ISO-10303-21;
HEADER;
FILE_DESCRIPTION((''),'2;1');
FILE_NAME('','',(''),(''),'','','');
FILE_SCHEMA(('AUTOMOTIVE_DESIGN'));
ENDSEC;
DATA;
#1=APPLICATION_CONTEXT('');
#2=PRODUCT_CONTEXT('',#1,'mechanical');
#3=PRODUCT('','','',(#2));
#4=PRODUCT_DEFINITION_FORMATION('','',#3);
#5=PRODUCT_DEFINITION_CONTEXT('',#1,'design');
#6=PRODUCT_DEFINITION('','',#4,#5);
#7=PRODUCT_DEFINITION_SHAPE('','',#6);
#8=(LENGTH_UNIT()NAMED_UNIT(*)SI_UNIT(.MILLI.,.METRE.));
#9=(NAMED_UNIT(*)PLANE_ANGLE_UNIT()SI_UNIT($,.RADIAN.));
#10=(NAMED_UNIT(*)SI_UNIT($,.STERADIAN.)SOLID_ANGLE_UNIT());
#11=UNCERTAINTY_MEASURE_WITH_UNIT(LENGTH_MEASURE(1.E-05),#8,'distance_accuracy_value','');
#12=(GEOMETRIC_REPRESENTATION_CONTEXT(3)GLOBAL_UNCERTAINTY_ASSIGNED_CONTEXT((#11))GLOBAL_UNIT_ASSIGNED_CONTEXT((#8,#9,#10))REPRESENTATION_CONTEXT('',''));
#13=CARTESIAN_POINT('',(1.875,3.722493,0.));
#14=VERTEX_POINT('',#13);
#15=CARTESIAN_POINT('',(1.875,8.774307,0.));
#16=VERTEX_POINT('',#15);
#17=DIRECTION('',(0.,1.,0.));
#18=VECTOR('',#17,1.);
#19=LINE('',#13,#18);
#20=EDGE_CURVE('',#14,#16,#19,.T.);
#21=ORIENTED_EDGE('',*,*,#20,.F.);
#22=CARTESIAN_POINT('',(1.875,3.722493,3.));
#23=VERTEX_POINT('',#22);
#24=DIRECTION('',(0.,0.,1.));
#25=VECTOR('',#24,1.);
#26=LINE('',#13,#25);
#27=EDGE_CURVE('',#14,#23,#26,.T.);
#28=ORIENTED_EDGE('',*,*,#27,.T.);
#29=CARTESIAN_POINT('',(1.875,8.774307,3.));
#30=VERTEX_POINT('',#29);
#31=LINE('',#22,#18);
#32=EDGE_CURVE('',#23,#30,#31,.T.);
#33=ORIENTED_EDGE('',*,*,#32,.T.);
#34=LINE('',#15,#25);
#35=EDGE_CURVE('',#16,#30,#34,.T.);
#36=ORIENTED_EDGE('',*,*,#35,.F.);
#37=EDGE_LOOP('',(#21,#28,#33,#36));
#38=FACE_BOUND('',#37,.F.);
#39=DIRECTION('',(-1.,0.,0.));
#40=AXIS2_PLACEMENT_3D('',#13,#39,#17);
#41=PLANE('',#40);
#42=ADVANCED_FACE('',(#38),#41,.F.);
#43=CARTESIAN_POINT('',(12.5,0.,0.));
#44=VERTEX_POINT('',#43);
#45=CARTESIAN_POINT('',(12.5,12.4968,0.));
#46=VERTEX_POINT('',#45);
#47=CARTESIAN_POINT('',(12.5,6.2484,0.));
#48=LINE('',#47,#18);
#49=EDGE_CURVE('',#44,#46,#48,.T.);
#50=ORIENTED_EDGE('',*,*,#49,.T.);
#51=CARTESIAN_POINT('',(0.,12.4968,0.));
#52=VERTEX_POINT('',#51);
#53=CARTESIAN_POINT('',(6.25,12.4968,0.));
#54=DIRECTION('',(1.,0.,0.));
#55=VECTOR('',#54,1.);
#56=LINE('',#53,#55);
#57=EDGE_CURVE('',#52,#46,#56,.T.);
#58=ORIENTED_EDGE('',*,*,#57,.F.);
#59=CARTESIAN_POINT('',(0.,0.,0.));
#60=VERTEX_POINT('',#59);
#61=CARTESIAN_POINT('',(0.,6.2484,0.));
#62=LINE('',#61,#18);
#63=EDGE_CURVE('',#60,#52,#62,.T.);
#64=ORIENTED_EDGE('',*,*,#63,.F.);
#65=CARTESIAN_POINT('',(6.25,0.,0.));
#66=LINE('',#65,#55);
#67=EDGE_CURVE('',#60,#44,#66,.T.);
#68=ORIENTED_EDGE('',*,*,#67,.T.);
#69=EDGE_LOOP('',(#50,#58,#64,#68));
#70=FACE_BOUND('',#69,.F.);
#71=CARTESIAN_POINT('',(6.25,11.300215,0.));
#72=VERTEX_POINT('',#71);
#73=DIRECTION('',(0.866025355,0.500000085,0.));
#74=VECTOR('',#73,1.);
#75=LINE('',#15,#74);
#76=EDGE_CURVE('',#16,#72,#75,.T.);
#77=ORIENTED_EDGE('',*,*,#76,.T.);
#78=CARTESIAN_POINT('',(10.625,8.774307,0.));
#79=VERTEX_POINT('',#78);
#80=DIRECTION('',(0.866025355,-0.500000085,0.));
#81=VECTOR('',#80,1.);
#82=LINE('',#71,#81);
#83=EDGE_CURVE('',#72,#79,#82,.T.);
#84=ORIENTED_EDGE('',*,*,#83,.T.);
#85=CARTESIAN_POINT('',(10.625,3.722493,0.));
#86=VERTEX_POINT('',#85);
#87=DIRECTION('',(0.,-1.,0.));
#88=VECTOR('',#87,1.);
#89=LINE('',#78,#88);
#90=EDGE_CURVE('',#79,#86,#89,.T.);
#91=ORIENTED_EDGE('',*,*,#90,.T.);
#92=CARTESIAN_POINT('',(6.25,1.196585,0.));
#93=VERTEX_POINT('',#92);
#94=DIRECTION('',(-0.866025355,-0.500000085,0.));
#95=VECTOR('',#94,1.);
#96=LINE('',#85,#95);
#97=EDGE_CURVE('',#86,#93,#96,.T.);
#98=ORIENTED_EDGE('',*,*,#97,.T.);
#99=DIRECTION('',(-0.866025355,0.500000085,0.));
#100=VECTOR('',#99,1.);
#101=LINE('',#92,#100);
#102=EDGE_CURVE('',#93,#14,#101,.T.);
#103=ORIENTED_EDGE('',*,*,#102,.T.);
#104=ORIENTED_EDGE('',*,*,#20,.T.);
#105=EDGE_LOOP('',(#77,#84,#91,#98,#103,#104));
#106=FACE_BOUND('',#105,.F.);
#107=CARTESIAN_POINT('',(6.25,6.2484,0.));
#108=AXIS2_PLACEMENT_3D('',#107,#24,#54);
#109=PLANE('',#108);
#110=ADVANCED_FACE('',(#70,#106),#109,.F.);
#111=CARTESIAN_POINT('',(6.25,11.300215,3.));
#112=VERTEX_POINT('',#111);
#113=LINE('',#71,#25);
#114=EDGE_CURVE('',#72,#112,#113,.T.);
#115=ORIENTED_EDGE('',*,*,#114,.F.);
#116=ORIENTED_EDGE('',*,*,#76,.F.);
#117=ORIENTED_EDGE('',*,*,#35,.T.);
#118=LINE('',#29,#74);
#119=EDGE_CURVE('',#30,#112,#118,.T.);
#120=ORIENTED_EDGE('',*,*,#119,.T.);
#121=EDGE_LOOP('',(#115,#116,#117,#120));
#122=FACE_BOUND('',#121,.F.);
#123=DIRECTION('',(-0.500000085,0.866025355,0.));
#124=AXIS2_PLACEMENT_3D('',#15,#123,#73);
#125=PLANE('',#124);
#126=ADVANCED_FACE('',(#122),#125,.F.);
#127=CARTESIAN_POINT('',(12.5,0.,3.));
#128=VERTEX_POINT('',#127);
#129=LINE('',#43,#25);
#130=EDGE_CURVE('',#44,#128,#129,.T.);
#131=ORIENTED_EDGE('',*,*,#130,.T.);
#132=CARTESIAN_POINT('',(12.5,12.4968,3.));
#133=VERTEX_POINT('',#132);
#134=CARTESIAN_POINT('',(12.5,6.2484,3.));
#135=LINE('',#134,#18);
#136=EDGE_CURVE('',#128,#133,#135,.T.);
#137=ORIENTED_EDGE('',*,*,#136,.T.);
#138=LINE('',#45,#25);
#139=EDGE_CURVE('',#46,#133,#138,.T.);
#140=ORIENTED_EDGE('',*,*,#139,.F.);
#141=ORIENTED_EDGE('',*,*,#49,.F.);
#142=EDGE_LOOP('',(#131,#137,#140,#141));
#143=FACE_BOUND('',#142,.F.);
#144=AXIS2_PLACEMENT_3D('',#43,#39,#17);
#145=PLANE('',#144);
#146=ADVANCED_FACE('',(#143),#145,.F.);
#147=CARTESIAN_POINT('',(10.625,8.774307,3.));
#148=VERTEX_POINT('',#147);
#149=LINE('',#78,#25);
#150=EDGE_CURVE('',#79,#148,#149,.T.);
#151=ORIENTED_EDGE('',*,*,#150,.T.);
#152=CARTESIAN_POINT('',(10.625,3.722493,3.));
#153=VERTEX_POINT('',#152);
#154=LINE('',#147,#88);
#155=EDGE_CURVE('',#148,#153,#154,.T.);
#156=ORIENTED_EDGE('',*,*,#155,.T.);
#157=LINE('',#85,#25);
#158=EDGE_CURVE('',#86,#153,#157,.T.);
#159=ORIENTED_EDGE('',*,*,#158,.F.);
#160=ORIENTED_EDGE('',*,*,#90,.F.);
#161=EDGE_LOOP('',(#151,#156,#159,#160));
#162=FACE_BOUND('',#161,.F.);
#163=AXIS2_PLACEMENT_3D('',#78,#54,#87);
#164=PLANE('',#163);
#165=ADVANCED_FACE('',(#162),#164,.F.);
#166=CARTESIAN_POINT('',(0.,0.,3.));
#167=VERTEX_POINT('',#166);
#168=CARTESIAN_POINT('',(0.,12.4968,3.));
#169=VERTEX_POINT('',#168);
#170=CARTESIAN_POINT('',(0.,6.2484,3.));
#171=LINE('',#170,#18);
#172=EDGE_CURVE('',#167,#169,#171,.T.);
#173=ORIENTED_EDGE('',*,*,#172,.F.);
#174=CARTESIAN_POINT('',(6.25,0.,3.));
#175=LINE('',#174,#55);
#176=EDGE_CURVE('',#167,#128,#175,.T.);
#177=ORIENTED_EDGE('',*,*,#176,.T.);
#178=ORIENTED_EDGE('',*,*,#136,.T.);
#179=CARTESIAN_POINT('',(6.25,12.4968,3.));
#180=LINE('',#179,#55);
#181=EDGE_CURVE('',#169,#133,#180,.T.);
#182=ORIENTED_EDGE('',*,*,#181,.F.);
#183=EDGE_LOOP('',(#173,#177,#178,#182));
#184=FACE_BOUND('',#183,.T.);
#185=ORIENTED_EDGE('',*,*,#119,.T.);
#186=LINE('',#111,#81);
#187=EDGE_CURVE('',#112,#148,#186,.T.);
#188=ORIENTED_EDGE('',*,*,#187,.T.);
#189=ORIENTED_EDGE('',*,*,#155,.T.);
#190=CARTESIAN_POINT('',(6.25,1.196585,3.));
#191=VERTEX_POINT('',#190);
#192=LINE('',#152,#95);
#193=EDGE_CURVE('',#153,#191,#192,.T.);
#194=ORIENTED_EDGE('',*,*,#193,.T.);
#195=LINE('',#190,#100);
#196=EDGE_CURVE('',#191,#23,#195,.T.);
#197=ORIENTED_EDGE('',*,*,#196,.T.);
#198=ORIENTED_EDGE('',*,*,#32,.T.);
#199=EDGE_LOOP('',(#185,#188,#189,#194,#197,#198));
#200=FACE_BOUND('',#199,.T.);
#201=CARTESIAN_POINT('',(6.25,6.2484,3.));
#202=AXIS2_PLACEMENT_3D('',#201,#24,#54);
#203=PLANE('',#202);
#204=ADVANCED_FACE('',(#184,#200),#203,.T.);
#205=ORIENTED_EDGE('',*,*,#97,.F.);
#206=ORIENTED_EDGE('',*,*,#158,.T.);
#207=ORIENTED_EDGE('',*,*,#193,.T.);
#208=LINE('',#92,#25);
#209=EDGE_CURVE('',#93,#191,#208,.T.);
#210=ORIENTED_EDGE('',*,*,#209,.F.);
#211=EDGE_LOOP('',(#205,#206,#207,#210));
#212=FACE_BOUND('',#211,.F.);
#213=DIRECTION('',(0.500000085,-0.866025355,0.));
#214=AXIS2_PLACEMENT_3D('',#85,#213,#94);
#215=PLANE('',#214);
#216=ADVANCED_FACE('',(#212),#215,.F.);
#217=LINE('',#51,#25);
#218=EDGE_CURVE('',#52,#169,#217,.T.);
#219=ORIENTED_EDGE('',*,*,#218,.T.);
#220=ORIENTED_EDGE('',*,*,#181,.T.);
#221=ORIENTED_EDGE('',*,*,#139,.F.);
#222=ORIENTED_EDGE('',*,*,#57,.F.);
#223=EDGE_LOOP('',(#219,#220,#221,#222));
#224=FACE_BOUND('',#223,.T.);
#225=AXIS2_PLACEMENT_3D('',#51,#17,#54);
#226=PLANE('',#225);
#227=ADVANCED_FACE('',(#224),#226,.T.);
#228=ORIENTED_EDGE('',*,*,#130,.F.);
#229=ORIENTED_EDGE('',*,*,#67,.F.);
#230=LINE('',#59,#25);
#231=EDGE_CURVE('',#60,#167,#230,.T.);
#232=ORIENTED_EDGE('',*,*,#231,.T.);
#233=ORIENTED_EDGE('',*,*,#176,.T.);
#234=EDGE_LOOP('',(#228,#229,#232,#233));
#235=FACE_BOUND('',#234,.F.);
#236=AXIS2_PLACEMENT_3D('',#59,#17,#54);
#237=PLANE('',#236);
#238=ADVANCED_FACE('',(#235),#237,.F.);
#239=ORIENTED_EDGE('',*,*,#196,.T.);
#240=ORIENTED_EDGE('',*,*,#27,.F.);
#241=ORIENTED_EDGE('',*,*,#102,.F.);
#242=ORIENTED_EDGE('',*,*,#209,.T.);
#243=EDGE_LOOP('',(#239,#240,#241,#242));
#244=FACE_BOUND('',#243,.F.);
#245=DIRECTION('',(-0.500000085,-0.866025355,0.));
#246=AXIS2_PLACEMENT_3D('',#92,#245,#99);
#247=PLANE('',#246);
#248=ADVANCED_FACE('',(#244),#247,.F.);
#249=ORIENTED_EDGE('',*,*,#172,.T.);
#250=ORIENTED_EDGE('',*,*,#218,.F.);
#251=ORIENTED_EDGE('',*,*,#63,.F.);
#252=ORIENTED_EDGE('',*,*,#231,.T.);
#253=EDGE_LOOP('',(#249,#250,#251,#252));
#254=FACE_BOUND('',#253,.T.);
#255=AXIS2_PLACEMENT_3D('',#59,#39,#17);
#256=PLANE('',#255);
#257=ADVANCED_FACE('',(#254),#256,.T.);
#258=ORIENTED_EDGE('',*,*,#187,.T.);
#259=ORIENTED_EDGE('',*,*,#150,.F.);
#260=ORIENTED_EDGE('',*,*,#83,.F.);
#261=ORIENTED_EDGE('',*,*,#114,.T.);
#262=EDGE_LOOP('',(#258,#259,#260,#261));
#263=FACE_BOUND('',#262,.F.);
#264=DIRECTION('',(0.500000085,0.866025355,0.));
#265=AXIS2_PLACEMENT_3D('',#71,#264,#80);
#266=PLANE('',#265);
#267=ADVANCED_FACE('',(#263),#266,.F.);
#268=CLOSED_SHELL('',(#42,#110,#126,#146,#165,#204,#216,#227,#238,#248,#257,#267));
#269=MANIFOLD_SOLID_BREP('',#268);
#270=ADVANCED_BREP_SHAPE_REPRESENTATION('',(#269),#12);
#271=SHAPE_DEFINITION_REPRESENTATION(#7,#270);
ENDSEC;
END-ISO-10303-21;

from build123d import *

# Parameters (mm, degrees)
F0_W     = 12.5
F0_H     = 12.4968
F1_DEPTH = 3


with BuildPart() as f1:
    # F0 (on Top) → F1 (new body)
    with BuildSketch(Plane.XY):
        with Locations((6.25, 6.2484)):
            Rectangle(F0_W, F0_H)
        Polygon((6.25, 11.300215), (10.625, 8.774307), (10.625, 3.722493), (6.25, 1.196585), (1.875, 3.722493), (1.875, 8.774307), align=None, mode=Mode.SUBTRACT)
    extrude(amount=F1_DEPTH)


solid = f1.part
